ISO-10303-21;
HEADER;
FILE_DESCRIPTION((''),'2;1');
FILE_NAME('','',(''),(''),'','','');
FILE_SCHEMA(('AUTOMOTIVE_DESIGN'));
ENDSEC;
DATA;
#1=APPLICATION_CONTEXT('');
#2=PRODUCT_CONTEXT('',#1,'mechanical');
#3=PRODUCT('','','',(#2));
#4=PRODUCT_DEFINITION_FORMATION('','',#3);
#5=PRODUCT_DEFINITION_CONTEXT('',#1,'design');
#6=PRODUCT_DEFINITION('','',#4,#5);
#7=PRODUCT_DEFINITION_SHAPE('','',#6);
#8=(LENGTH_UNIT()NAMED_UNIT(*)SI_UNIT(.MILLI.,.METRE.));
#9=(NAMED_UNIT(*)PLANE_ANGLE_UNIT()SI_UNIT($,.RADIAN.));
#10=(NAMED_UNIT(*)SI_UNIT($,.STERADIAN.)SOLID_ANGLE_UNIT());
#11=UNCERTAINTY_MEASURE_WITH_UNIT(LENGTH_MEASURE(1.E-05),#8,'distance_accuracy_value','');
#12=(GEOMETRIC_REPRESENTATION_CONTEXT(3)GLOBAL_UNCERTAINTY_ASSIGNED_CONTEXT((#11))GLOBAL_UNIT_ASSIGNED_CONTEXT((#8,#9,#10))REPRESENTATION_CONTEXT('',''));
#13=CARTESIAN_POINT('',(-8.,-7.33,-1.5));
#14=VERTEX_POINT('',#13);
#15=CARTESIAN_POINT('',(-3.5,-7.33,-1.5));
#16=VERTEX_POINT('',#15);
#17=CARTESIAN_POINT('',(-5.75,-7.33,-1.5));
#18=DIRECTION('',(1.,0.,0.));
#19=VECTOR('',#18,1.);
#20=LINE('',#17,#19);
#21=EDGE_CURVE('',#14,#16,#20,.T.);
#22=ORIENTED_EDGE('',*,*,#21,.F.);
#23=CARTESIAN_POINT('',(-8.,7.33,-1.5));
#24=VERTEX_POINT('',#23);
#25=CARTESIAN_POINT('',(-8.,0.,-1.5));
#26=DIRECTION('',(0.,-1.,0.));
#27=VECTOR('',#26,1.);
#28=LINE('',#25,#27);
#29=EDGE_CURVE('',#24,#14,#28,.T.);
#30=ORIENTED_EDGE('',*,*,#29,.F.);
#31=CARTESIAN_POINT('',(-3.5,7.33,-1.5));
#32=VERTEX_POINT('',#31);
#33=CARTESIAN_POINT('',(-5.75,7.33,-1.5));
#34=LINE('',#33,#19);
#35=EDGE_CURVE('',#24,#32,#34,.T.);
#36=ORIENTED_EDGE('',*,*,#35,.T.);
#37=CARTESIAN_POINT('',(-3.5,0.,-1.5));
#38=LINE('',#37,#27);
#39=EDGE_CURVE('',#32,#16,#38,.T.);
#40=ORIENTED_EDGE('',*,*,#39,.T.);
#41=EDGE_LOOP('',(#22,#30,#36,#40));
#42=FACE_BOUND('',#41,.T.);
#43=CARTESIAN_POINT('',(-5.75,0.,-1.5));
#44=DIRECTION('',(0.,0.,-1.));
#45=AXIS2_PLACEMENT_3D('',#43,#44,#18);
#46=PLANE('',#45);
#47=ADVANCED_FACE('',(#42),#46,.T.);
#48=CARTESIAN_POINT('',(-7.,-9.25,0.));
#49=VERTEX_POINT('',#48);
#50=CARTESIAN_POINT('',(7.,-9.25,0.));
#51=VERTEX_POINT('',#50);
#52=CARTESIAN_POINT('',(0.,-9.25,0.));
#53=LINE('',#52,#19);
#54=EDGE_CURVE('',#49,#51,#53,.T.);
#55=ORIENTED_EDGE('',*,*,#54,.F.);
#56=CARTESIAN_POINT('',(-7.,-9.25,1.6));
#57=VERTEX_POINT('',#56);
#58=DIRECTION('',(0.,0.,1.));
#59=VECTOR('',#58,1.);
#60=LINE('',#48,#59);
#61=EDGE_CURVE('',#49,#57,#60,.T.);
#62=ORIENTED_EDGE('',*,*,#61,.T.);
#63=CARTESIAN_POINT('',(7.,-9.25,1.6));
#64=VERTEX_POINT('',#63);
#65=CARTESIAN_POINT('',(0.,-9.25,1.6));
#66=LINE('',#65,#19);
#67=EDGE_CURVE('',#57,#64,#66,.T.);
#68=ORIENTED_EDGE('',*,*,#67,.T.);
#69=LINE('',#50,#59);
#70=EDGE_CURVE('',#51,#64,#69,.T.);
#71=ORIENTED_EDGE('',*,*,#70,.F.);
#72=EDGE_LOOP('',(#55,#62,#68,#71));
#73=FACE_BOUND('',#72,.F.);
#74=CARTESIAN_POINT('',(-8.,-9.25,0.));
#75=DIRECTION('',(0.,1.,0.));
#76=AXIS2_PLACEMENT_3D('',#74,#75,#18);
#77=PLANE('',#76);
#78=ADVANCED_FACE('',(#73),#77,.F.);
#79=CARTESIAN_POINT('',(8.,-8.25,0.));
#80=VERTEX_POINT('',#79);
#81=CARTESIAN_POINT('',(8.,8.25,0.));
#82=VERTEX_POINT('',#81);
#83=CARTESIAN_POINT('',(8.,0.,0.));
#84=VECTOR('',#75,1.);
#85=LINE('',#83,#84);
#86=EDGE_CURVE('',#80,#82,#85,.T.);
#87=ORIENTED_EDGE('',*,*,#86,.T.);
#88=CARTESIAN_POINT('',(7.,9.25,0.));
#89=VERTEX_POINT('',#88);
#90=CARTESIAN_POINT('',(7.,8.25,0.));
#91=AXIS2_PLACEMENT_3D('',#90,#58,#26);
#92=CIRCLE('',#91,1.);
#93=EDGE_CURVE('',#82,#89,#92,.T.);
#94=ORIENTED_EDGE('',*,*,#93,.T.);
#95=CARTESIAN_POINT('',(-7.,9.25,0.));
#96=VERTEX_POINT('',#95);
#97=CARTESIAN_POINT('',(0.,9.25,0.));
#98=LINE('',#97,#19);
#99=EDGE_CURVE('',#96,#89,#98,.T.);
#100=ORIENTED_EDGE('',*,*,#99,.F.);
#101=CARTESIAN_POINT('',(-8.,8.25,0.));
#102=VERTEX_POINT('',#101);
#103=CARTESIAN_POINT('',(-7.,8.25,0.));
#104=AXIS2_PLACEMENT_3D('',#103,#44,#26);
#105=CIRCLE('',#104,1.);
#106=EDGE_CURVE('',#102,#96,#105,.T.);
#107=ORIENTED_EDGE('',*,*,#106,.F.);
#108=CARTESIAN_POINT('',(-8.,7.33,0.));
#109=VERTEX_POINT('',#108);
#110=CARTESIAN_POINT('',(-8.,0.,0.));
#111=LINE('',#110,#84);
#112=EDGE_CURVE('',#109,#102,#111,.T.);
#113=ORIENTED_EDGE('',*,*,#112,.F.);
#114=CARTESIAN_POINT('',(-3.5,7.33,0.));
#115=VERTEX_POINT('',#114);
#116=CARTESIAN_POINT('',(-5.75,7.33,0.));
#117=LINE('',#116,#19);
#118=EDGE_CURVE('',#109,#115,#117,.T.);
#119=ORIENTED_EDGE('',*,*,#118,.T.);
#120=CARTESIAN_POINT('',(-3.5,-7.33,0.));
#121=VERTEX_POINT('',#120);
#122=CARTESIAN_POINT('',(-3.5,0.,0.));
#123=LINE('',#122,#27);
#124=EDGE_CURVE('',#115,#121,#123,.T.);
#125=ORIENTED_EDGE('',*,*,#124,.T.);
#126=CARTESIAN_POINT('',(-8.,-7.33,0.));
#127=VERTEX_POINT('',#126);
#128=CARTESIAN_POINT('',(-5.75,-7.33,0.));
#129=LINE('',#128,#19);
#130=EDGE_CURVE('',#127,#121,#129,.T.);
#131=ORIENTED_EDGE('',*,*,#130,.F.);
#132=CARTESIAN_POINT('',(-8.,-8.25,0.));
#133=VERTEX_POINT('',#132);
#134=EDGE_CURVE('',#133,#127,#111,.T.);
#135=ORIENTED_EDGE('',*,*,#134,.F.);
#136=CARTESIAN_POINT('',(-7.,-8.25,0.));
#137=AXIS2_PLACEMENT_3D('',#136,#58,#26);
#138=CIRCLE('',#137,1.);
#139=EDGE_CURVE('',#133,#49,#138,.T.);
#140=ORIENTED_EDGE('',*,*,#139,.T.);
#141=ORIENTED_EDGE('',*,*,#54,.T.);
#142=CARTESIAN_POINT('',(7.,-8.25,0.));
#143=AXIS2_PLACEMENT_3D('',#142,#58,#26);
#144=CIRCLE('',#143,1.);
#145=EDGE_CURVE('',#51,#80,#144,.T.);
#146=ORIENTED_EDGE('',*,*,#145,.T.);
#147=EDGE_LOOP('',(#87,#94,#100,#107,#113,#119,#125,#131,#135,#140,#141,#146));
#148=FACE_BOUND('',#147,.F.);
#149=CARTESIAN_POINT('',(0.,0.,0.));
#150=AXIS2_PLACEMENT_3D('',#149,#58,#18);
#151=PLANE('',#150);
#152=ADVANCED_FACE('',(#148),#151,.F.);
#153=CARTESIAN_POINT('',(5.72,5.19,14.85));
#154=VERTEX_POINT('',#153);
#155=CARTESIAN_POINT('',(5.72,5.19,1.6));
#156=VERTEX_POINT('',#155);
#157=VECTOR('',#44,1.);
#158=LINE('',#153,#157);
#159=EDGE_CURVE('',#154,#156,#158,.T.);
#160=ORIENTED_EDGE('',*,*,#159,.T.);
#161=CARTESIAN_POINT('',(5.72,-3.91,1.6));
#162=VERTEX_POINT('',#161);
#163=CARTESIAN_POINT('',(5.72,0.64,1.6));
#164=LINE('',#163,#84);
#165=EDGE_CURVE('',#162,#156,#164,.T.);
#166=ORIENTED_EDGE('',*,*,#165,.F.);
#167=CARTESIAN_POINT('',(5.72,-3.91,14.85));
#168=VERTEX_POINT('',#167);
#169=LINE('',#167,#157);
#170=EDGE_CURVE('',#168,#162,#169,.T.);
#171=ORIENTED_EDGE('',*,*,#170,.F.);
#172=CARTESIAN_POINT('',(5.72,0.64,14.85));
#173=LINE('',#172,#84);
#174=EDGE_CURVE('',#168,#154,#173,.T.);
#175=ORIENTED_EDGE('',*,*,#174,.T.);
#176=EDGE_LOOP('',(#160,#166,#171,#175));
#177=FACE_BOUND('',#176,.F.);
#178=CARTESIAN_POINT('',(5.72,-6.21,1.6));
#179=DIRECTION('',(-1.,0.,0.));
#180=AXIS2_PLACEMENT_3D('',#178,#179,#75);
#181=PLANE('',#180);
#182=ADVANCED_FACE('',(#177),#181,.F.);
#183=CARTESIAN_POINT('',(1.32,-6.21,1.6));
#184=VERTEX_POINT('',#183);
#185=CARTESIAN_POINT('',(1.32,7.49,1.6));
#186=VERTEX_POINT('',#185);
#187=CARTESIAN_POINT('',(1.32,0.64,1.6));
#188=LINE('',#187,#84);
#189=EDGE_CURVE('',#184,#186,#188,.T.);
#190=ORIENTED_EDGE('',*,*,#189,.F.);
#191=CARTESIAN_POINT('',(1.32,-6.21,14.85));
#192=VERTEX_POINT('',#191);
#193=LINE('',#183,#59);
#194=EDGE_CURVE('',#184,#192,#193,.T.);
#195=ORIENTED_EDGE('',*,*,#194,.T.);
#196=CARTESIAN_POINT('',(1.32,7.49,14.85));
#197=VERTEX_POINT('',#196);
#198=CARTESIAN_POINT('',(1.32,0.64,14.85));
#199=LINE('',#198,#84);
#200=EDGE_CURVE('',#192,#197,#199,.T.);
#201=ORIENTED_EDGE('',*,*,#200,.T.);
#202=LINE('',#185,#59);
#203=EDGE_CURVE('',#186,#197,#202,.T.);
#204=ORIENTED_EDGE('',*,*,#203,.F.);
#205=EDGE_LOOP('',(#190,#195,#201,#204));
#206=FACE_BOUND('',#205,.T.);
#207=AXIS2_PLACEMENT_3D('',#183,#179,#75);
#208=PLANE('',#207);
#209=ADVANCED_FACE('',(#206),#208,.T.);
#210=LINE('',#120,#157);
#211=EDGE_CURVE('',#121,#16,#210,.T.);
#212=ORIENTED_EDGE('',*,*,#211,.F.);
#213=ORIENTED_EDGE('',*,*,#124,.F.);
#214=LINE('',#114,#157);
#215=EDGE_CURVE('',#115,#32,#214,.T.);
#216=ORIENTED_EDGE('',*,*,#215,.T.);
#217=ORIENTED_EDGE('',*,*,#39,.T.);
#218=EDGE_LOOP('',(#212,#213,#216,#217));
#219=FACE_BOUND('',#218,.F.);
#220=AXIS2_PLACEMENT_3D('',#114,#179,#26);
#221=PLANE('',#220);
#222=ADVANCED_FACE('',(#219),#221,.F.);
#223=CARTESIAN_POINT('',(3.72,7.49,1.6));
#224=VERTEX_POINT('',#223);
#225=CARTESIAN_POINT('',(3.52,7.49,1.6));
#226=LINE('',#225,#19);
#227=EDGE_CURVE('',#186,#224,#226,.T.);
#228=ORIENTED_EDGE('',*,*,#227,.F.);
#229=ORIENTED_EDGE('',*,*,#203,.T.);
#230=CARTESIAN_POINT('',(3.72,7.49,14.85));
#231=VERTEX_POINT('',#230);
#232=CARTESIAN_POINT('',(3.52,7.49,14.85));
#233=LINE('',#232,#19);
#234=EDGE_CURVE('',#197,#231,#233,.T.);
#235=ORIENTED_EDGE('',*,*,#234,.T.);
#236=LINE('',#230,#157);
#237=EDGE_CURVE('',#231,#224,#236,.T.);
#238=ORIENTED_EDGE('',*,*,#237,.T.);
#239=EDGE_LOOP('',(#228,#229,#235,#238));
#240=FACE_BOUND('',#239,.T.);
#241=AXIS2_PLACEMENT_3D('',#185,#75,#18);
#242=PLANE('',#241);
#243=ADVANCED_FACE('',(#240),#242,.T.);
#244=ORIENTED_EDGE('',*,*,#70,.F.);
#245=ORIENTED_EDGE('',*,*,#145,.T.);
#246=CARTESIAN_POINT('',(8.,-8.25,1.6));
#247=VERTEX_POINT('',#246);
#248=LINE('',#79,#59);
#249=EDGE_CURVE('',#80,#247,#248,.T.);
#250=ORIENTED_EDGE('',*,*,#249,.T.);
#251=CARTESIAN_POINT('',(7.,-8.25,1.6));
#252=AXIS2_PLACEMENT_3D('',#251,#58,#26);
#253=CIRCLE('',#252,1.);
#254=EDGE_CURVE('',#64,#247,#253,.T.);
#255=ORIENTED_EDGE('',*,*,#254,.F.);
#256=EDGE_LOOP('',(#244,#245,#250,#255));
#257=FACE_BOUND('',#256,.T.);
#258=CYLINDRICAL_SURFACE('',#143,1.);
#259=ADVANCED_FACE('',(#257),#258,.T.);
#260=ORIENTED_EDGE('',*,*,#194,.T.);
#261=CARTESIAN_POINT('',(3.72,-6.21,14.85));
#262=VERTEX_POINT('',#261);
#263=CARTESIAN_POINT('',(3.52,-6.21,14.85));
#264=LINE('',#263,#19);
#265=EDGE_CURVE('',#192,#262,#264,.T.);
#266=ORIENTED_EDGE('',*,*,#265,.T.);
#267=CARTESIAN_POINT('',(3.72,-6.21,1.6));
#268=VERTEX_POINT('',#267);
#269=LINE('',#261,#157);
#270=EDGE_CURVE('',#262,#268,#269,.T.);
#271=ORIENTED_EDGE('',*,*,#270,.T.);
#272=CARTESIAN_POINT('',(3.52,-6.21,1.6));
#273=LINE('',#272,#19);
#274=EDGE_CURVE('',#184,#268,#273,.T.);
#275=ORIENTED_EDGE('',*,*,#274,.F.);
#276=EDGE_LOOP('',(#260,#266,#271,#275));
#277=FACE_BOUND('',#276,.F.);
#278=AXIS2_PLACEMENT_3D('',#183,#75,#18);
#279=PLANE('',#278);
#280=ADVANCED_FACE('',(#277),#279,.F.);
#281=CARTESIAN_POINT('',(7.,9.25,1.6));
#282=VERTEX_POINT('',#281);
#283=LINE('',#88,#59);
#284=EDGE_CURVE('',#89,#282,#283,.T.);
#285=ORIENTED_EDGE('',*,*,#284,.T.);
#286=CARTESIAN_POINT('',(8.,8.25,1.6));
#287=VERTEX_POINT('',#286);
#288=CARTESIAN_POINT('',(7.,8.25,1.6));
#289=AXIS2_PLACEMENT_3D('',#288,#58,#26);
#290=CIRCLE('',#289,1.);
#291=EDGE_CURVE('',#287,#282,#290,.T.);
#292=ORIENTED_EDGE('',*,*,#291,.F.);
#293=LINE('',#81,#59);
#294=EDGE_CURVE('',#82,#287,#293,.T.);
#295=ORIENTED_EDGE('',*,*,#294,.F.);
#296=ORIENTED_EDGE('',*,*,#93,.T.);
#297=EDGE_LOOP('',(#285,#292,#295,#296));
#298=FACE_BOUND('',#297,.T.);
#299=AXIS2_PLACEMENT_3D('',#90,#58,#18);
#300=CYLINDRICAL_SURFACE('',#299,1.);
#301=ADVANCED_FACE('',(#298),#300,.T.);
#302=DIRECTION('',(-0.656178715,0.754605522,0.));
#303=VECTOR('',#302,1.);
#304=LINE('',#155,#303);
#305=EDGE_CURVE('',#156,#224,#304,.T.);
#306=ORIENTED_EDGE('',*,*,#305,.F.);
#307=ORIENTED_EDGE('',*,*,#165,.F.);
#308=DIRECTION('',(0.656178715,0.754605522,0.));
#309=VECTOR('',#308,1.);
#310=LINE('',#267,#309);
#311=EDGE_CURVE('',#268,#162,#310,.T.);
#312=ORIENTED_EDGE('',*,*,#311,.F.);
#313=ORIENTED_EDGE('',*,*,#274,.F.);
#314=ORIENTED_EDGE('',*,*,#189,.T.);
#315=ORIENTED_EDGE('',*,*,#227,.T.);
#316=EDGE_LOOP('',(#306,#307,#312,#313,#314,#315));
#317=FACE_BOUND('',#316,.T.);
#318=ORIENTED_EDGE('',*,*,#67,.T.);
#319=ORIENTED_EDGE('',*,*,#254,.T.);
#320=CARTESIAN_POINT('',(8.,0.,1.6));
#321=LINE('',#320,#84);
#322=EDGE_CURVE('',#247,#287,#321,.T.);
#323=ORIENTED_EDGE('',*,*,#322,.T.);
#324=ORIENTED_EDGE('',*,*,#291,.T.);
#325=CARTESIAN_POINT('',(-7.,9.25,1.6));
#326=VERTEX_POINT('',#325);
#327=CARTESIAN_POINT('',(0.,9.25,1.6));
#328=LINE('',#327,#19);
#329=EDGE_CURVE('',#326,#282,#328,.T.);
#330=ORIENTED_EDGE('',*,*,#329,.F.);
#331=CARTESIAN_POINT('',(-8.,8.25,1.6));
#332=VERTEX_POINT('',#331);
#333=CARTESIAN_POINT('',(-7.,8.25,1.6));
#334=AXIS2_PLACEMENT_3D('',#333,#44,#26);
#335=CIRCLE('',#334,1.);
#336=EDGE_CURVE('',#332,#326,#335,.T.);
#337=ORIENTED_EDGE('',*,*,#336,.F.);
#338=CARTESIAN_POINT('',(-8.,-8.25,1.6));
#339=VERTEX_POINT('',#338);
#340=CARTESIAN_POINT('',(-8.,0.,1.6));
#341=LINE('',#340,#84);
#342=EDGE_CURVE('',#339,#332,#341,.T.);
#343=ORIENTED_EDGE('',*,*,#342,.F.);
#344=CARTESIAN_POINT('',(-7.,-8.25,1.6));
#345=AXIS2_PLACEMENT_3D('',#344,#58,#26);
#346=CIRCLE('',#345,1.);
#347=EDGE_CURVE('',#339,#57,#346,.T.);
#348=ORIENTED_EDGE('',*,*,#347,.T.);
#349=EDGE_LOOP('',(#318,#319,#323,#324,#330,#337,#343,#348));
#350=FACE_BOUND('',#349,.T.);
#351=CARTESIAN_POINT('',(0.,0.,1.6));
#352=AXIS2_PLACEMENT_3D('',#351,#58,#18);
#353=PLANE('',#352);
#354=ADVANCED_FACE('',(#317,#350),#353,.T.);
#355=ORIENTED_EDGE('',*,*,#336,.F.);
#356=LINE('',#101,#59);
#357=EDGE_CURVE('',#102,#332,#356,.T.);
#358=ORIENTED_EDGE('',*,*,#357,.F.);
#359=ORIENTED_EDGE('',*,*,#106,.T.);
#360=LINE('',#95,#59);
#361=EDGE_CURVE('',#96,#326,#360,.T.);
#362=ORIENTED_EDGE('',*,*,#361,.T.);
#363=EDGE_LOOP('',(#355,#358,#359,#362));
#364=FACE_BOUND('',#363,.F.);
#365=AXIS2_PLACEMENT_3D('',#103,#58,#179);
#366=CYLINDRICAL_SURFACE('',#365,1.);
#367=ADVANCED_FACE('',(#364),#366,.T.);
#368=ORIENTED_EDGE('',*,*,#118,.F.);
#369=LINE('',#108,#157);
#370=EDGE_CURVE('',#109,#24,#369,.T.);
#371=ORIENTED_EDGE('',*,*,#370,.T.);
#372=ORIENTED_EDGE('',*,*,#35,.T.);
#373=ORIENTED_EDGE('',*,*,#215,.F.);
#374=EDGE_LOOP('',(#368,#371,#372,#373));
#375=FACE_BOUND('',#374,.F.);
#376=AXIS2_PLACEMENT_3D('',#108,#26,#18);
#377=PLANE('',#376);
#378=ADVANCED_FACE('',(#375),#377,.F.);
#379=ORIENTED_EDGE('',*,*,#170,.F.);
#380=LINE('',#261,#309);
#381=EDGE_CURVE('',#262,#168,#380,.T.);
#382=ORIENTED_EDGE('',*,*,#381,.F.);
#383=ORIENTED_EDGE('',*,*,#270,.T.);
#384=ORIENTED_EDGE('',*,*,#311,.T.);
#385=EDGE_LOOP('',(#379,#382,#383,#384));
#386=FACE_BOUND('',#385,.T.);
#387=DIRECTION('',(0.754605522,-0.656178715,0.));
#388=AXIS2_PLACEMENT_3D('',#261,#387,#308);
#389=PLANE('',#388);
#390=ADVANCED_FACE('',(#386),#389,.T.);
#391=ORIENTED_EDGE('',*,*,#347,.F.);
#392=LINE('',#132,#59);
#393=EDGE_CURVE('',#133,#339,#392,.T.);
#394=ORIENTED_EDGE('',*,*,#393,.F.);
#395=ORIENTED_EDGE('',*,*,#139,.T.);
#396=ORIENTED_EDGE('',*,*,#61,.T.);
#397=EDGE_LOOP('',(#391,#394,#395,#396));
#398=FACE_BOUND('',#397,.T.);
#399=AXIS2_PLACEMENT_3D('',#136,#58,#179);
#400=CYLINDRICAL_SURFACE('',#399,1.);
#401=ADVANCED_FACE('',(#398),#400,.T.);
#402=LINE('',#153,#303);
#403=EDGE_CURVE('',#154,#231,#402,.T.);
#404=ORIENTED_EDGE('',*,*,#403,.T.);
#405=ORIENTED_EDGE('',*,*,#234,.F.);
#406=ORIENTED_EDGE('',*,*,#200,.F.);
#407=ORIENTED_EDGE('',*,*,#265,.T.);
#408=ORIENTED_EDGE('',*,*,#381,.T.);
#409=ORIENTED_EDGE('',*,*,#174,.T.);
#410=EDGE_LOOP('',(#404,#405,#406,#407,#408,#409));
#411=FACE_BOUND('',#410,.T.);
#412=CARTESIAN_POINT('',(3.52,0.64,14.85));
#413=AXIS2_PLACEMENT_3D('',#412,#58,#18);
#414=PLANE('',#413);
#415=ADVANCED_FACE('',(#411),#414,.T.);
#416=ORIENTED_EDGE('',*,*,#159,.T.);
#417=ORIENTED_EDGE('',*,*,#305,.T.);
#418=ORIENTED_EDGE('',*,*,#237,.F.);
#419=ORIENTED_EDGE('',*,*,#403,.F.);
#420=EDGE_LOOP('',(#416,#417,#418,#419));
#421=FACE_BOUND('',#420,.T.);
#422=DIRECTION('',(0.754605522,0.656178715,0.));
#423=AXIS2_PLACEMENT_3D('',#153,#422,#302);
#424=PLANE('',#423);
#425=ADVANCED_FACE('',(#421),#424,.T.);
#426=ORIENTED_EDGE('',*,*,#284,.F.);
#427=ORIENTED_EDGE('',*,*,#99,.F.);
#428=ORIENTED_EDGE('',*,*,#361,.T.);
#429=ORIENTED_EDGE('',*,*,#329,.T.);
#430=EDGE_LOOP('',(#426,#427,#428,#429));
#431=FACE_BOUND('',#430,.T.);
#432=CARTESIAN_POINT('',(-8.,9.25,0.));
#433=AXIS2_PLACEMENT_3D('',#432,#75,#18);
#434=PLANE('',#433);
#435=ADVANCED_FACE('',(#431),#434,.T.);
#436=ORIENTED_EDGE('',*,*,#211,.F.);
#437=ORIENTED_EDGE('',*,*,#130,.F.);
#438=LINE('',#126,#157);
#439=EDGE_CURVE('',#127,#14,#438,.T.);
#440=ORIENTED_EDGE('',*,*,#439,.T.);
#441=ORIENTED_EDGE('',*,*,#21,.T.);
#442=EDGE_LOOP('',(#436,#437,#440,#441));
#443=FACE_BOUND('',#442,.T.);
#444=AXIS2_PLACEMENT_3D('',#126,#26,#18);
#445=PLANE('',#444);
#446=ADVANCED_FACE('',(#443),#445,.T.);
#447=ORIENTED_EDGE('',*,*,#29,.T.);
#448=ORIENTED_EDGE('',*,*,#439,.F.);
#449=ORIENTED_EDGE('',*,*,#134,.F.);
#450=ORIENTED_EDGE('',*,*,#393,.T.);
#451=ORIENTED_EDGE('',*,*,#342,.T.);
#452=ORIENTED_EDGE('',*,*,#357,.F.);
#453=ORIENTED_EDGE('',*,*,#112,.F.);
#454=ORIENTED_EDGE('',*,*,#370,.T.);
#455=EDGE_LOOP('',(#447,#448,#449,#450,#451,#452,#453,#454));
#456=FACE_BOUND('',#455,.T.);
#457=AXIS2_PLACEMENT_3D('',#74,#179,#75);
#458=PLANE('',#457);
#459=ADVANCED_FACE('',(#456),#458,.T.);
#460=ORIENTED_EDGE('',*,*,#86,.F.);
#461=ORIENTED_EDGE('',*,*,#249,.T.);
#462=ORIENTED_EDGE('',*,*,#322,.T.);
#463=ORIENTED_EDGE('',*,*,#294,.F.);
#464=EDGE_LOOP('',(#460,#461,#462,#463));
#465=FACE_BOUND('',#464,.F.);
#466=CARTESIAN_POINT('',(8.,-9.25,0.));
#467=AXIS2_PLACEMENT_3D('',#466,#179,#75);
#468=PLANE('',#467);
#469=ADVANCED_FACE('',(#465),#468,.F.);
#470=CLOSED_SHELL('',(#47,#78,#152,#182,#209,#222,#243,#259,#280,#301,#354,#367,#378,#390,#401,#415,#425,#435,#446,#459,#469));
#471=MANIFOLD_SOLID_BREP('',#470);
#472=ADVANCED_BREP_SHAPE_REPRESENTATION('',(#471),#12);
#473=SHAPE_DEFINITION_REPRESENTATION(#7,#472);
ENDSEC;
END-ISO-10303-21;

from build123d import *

# Parameters (mm, degrees)
SKETCH_W     = 16
SKETCH_H     = 18.5
PAD_DEPTH    = 1.6
FILLET_R     = 1
SKETCH001_W  = 4.4
SKETCH001_H  = 13.7
PAD001_DEPTH = 13.25
POCKET_DEPTH = 13.25
SKETCH003_W  = 4.5
SKETCH003_H  = 14.66
PAD002_DEPTH = 1.5


with BuildPart() as part:
    # Sketch → Pad (new body)
    with BuildSketch(Plane.XY):
        Rectangle(SKETCH_W, SKETCH_H)
    extrude(amount=PAD_DEPTH)

    # Fillet
    fillet_edges = [part.edges().sort_by_distance(p)[0] for p in [
        (8, -9.25, 0.8),
        (-8, -9.25, 0.8),
        (-8, 9.25, 0.8),
        (8, 9.25, 0.8),
    ]]
    fillet(fillet_edges, radius=FILLET_R)

    # Sketch001 (on Face5 of Fillet) → Pad001 (join)
    with BuildSketch(Plane.XY.offset(1.6)):
        with Locations((3.52, 0.64)):
            Rectangle(SKETCH001_W, SKETCH001_H)
    extrude(amount=PAD001_DEPTH)

    # Sketch002 (on Face15 of Pad001) → Pocket (cut)
    with BuildSketch(Plane.XY.offset(14.85)):
        Polygon((5.72, 7.49), (5.72, 5.19), (3.72, 7.49), align=None)
        Polygon((5.72, -3.91), (5.72, -6.21), (3.72, -6.21), align=None)
    extrude(amount=-POCKET_DEPTH, mode=Mode.SUBTRACT)

    # Sketch003 (on Face2 of Pocket) → Pad002 (join)
    with BuildSketch(Plane(origin=(0, 0, 0), x_dir=(1, 0, 0), z_dir=(0, 0, -1))):
        with Locations((-5.75, 0)):
            Rectangle(SKETCH003_W, SKETCH003_H)
    extrude(amount=PAD002_DEPTH)


solid = part.part
